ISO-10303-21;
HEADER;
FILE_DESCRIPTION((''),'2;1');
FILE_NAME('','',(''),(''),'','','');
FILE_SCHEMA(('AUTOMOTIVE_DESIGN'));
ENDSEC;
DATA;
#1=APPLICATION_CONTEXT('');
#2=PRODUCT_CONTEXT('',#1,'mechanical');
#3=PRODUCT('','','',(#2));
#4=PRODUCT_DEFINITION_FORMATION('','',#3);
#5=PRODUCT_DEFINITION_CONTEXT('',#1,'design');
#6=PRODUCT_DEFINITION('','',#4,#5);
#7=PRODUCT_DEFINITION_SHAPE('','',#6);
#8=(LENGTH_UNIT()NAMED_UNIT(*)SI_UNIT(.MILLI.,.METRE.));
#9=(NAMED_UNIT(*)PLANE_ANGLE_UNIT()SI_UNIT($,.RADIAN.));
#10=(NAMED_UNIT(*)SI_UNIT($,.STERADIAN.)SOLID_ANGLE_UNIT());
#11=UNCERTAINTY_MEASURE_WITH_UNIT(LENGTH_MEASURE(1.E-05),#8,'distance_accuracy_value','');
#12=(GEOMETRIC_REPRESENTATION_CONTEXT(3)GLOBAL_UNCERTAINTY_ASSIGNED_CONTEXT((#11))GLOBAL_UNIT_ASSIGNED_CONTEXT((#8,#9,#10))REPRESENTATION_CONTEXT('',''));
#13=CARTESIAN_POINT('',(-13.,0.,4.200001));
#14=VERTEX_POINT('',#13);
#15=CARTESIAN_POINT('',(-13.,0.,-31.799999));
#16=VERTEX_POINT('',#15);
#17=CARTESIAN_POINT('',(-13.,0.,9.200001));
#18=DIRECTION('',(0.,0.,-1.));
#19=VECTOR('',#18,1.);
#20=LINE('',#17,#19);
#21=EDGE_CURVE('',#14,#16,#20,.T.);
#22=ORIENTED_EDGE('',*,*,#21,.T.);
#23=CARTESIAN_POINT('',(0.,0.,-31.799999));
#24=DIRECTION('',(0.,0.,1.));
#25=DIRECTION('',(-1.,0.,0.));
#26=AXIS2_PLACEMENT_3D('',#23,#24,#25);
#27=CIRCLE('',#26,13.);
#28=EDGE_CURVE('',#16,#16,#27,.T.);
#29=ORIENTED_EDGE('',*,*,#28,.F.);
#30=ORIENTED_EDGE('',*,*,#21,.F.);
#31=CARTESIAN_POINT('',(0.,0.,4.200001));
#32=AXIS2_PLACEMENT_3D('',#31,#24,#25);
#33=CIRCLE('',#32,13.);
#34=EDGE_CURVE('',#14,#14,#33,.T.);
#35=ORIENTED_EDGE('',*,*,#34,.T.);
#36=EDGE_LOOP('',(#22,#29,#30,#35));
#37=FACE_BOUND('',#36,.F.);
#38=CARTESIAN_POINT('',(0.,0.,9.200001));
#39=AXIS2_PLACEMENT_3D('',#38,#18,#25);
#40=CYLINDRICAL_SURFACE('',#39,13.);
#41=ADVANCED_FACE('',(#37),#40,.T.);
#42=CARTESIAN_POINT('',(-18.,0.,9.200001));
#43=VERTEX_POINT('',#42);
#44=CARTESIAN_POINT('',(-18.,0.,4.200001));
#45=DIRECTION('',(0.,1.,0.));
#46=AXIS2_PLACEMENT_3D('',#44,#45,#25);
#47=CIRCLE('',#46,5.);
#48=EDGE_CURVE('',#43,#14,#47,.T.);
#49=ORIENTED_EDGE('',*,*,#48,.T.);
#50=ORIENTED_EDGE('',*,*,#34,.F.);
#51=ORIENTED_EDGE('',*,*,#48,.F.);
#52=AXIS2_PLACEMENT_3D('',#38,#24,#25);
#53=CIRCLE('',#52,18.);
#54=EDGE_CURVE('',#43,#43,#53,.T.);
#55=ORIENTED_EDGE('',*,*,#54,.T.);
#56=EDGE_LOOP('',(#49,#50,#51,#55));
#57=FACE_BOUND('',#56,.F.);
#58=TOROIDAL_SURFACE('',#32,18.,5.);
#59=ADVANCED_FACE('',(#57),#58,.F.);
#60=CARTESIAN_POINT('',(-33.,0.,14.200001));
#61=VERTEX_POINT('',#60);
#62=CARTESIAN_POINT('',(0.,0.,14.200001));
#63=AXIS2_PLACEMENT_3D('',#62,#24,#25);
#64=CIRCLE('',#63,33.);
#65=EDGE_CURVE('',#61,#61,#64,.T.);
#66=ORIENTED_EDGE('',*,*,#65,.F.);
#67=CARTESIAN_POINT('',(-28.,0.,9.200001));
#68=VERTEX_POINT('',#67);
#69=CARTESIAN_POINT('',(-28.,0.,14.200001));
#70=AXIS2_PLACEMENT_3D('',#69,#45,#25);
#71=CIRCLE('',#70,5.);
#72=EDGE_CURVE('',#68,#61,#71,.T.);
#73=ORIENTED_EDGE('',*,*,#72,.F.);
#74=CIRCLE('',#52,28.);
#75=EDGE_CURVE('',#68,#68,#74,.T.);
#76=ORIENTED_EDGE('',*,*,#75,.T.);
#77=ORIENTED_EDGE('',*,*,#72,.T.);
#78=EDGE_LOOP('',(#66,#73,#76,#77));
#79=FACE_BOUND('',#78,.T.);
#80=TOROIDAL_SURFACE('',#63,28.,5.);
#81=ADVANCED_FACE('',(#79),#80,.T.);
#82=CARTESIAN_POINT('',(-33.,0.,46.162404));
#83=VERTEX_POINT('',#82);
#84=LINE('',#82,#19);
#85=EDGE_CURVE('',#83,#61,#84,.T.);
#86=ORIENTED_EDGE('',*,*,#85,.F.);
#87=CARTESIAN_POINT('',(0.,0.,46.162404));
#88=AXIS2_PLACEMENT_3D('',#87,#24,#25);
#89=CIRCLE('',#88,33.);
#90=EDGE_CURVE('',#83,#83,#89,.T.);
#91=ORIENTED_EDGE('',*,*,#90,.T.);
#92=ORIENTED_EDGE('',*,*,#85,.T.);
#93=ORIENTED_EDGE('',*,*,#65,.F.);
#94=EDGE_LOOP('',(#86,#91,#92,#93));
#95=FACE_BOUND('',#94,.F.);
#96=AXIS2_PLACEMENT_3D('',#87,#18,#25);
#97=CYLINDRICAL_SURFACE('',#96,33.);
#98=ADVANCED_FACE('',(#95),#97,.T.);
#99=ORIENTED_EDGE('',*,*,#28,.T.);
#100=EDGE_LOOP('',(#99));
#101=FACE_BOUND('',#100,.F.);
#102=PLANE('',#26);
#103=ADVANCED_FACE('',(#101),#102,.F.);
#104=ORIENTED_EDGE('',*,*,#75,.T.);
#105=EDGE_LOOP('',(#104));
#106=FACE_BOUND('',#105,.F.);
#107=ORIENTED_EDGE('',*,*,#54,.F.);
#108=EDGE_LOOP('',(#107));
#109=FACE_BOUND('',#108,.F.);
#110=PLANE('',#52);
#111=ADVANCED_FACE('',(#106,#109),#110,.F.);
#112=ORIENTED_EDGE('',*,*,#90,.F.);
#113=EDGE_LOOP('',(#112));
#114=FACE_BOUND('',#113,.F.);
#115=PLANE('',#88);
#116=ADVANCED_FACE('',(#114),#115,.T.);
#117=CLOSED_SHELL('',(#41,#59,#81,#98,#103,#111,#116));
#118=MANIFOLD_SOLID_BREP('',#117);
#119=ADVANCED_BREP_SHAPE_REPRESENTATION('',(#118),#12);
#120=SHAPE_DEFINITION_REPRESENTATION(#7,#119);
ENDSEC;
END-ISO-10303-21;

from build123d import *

# Parameters (mm, degrees)
F3_R = 5


with BuildPart() as f2:
    # F1 (on Front) → F2 (revolve)
    with BuildSketch(Plane.XZ):
        Polygon((-33, 9.200001), (-13, 9.200001), (-13, -31.799999), (0, -31.799999), (0, 9.200001), (0, 46.162404), (-33, 46.162404), align=None)
    revolve(axis=Axis((0, 0, 27.681202), (0, 0, 1)))

    # F3
    f3_edges = [f2.edges().sort_by_distance(p)[0] for p in [
        (13, 0, 9.200001),
        (33, 0, 9.200001),
    ]]
    fillet(f3_edges, radius=F3_R)


solid = f2.part
